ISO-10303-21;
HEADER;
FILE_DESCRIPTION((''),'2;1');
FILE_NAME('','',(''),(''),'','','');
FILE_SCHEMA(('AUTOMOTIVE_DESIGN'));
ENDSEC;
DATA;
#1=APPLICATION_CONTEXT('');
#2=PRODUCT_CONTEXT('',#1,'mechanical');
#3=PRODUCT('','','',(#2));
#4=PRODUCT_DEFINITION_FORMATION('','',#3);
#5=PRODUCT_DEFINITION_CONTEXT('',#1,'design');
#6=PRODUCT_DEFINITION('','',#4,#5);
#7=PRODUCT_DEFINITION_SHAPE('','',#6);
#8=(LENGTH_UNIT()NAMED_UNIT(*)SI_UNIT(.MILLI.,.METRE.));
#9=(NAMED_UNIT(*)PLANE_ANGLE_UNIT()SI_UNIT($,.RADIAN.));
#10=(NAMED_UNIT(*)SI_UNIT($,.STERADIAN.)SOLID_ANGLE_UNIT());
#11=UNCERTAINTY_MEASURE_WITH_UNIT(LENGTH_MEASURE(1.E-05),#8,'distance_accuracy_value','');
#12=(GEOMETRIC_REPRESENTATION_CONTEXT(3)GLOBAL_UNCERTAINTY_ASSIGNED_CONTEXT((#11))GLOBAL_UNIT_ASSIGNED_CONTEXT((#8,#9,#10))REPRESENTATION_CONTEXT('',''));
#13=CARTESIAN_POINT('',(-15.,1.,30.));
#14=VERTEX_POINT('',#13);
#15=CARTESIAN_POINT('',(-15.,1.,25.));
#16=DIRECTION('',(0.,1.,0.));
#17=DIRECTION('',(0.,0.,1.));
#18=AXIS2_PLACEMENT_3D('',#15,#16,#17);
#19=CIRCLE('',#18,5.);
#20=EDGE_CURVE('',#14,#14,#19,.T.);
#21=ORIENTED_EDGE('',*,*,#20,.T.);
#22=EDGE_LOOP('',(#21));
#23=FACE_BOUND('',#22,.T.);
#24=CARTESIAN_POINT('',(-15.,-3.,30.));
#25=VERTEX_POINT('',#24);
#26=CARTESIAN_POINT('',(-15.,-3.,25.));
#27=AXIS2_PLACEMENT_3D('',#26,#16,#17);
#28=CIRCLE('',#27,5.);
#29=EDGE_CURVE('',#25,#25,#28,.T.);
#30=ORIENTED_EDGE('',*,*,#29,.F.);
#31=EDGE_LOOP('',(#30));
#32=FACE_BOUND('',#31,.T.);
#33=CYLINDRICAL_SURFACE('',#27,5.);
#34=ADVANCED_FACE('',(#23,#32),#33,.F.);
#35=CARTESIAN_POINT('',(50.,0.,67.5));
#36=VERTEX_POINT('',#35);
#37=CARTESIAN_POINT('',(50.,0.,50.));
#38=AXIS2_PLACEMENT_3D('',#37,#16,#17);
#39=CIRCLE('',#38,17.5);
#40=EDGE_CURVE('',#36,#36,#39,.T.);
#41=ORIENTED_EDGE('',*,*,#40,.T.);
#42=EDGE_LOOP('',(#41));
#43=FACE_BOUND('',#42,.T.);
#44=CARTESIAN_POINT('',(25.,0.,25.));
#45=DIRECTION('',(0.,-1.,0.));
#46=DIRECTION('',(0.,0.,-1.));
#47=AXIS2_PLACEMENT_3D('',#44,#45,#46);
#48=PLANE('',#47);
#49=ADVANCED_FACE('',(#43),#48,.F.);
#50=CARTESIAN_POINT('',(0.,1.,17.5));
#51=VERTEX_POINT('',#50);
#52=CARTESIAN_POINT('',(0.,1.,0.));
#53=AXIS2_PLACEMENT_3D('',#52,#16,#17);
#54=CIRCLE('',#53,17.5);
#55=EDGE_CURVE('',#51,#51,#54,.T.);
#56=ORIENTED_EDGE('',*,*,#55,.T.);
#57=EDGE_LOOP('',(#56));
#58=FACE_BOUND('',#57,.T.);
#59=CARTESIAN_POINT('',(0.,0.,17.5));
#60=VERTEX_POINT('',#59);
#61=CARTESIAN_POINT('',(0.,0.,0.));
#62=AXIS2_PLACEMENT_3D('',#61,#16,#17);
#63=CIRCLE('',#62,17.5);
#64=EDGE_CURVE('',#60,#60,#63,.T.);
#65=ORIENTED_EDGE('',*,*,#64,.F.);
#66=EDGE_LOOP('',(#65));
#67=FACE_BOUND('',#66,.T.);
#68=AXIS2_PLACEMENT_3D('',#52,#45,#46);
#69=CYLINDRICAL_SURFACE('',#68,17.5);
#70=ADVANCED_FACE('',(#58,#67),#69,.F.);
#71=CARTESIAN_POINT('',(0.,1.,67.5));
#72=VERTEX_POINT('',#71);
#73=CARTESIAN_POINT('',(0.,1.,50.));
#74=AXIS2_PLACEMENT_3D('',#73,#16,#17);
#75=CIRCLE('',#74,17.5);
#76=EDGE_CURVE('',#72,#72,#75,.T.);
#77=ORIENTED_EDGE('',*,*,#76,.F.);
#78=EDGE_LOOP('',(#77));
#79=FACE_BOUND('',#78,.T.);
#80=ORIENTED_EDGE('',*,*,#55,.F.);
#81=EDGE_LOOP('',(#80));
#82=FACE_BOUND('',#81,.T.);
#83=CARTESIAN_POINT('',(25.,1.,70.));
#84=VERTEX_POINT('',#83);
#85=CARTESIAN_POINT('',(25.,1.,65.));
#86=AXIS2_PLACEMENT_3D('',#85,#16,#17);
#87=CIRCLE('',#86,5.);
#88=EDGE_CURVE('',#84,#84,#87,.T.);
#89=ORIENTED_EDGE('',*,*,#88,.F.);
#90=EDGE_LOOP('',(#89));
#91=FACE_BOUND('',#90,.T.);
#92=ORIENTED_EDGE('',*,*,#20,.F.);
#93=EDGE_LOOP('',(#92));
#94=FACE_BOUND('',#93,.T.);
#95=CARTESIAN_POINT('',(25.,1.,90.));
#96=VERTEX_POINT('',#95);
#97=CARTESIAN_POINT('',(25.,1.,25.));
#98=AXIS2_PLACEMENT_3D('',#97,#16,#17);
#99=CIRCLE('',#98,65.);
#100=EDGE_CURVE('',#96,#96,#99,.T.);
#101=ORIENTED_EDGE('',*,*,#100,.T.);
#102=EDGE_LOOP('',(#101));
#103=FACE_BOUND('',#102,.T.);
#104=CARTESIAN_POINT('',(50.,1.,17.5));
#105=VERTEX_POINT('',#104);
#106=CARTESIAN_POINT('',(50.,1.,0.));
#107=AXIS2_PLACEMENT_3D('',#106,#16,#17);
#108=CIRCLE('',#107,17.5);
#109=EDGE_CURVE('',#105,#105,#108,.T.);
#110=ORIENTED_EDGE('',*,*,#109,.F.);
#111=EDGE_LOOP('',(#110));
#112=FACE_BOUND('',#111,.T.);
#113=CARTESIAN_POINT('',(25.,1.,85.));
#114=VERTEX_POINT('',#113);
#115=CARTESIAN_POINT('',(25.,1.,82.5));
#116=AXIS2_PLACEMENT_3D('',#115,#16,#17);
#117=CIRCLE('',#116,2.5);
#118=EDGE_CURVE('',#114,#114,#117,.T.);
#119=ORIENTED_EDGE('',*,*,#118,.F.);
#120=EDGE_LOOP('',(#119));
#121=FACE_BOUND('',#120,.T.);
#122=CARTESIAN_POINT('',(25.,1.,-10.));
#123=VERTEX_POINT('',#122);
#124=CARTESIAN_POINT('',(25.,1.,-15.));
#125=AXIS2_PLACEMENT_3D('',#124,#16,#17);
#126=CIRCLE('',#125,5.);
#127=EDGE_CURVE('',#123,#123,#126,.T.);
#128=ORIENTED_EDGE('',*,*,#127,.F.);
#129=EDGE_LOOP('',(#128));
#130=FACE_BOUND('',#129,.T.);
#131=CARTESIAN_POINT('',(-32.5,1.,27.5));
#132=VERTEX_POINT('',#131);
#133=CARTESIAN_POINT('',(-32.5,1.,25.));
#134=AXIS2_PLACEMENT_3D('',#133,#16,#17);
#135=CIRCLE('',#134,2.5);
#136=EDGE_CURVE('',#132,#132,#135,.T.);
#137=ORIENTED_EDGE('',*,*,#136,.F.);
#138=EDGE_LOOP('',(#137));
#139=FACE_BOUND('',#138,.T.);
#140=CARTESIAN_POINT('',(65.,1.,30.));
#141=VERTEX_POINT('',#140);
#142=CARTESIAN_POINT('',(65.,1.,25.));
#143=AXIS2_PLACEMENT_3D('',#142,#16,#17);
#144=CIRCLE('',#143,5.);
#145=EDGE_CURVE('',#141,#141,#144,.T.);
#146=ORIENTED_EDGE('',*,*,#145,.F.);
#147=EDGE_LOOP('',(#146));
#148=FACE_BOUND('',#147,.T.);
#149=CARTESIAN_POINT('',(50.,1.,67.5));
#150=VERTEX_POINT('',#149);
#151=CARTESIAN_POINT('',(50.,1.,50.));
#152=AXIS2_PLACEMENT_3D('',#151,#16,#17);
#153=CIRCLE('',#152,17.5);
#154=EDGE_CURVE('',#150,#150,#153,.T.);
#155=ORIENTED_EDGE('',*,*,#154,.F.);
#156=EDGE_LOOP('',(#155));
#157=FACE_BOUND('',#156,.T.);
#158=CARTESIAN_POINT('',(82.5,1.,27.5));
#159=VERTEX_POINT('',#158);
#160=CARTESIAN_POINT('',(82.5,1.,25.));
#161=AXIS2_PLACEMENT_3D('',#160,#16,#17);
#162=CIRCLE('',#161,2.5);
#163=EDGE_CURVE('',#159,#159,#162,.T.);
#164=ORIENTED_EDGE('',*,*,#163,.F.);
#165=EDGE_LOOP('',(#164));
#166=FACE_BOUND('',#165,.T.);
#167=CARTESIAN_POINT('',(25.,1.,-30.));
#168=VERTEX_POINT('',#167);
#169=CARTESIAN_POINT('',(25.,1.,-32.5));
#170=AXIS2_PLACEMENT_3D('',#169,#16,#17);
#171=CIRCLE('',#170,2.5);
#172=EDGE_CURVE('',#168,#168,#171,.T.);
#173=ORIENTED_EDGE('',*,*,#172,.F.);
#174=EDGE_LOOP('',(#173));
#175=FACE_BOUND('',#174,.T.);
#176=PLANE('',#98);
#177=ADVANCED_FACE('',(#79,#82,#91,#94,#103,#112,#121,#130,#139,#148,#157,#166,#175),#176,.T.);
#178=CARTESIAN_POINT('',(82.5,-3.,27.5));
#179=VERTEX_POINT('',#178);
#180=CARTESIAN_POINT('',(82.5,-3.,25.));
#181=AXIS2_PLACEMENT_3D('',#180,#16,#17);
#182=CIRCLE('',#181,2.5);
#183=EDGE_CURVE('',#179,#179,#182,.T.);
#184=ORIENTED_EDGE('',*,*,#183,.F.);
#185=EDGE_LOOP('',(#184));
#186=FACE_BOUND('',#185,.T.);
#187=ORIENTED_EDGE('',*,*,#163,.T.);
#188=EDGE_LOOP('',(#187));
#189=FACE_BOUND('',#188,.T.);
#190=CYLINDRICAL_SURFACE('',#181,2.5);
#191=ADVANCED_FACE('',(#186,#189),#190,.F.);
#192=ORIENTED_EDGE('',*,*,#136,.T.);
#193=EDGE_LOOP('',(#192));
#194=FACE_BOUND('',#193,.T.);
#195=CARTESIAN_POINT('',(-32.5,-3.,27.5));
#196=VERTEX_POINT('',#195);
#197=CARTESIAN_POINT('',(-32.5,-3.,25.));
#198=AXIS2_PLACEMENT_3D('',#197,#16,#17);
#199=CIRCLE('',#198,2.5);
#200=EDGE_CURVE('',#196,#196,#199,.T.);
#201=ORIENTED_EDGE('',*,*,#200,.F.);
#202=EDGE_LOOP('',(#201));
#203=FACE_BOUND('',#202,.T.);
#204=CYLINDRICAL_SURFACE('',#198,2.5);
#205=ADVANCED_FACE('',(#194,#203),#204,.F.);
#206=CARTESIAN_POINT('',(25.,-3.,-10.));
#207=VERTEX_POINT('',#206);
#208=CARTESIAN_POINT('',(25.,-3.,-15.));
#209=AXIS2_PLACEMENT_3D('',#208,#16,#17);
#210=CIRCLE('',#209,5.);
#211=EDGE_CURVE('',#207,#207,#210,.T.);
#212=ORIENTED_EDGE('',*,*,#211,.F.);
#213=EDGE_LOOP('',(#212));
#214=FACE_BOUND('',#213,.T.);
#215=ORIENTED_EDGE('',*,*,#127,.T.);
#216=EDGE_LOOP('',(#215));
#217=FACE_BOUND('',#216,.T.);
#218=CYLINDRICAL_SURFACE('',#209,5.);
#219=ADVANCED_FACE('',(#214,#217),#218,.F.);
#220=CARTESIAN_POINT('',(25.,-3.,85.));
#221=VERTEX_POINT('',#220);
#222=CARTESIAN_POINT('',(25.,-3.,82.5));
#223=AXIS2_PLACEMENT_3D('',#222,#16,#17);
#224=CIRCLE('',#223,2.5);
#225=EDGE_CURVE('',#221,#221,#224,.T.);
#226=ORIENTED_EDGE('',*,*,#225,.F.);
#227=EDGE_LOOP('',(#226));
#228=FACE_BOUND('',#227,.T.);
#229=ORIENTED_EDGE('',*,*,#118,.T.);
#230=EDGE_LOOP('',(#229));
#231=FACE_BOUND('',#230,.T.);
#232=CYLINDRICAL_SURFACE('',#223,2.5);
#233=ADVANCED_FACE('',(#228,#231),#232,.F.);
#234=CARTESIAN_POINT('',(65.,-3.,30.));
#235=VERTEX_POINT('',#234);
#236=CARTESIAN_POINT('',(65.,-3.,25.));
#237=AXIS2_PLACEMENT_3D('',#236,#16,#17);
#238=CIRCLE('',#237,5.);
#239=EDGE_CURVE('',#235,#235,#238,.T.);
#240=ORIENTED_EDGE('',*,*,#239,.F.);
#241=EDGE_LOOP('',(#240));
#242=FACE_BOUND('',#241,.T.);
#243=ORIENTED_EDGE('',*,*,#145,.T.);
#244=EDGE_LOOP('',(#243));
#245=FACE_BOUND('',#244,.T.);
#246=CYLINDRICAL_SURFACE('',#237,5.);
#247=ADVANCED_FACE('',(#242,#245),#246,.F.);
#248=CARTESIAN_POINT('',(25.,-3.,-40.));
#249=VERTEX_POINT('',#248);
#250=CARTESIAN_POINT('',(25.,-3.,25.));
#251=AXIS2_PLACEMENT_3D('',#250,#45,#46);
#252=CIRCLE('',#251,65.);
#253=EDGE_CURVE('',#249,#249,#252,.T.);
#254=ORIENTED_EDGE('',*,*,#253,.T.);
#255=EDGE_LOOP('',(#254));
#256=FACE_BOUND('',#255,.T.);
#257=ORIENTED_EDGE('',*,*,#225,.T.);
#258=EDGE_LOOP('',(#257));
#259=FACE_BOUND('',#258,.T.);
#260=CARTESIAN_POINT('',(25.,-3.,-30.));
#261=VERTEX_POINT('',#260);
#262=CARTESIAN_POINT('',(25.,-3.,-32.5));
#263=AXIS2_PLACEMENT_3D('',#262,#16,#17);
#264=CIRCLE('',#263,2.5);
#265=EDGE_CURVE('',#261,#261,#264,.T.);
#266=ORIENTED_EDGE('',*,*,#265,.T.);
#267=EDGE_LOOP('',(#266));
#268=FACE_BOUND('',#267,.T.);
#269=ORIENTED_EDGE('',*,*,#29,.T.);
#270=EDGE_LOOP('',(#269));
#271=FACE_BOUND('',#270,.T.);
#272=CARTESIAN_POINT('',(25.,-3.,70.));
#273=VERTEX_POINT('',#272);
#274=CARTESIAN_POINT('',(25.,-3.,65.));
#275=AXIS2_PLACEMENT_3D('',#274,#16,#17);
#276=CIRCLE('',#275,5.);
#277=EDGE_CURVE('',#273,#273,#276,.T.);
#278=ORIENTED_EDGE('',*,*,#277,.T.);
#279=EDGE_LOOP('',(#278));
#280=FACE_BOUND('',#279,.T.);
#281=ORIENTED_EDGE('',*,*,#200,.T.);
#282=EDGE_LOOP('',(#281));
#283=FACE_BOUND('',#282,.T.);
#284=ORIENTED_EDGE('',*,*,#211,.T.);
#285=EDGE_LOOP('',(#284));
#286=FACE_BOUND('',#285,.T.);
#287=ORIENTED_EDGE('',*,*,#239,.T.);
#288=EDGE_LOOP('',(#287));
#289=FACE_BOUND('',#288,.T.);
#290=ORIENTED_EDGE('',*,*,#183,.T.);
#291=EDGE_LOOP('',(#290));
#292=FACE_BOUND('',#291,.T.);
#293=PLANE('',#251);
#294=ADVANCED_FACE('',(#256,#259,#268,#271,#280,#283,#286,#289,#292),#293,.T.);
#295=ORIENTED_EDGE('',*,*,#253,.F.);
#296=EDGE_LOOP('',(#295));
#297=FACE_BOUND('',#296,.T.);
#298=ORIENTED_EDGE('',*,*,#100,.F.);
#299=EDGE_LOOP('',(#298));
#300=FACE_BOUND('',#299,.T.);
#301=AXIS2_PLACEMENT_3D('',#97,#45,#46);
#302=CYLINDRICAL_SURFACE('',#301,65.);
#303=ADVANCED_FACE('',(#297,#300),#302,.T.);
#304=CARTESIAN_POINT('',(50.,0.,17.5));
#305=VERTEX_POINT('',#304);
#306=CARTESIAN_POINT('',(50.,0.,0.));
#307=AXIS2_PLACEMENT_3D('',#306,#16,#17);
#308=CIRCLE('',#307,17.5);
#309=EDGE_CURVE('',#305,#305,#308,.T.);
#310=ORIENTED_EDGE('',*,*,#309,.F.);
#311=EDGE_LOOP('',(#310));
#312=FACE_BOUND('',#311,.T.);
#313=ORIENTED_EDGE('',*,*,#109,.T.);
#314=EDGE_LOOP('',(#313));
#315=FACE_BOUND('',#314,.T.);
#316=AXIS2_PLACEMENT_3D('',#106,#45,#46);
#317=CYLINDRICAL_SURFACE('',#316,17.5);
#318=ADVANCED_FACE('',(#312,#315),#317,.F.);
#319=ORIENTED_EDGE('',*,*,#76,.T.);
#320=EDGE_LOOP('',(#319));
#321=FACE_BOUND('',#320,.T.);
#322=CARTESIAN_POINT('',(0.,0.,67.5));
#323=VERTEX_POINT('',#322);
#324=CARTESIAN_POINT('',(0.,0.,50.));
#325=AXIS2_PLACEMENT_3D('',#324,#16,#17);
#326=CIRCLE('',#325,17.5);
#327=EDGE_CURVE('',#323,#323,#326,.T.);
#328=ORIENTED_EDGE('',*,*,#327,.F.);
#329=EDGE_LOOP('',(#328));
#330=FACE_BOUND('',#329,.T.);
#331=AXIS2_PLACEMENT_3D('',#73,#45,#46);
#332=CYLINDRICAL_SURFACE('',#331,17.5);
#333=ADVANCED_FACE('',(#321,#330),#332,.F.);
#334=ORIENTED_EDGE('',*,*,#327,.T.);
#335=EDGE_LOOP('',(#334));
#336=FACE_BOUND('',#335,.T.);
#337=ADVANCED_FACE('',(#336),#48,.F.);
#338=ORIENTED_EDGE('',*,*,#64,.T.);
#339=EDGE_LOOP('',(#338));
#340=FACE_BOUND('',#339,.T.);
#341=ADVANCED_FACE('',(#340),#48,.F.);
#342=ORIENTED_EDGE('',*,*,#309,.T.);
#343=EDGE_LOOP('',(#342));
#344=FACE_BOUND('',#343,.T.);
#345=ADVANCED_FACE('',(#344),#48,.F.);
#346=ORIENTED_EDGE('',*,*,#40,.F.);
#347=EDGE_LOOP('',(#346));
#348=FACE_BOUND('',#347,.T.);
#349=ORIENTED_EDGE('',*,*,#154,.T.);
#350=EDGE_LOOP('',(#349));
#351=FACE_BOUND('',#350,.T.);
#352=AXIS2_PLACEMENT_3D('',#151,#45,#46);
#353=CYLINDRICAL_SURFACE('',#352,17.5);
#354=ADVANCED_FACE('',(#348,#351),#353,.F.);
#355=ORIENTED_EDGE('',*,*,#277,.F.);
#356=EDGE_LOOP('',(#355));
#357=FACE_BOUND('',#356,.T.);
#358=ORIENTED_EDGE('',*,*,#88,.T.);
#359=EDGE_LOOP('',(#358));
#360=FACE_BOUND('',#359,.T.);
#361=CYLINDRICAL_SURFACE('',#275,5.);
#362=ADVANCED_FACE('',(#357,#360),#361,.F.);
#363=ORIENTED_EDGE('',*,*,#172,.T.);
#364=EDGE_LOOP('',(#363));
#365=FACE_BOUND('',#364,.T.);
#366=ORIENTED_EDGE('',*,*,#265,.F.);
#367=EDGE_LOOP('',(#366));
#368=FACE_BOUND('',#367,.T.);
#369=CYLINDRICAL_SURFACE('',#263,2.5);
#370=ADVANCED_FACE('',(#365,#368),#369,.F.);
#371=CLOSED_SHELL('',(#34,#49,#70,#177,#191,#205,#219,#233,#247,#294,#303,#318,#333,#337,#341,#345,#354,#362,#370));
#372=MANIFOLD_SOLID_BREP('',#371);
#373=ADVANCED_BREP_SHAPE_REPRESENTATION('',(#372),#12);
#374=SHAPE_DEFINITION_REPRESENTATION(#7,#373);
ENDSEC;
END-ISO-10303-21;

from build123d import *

# Parameters (mm, degrees)
SKETCH1_R           = 65
SKETCH1_R_2         = 17.5
BOSS_EXTRUDE2_DEPTH = 1
BOSS_EXTRUDE3_START = 3
SKETCH2_R           = 65
BOSS_EXTRUDE3_DEPTH = 3
SKETCH3_R           = 5
CUT_EXTRUDE1_DEPTH  = 128.342059038
SKETCH4_R           = 2.5
CUT_EXTRUDE2_DEPTH  = 128.342059038


with BuildPart() as part:
    # Sketch1 → Boss-Extrude2 (new body)
    with BuildSketch(Plane(origin=(0, 0, 0), x_dir=(1, 0, 0), z_dir=(0, 1, 0))):
        with Locations(Location((25, -25, 0), (0, 0, 270))):
            Circle(SKETCH1_R)
        with Locations(Location((0, 0, 0), (0, 0, 270))):
            Circle(SKETCH1_R_2, mode=Mode.SUBTRACT)
        with Locations(Location((50, 0, 0), (0, 0, 270))):
            Circle(SKETCH1_R_2, mode=Mode.SUBTRACT)
        with Locations(Location((50, -50, 0), (0, 0, 270))):
            Circle(SKETCH1_R_2, mode=Mode.SUBTRACT)
        with Locations(Location((0, -50, 0), (0, 0, 270))):
            Circle(SKETCH1_R_2, mode=Mode.SUBTRACT)
    extrude(amount=BOSS_EXTRUDE2_DEPTH)

    # Sketch2 → Boss-Extrude3 (add)
    with BuildSketch(Plane.XZ.offset(BOSS_EXTRUDE3_START)):
        with Locations(Location((25, 25, 0), (0, 0, 270))):
            Circle(SKETCH2_R)
    extrude(amount=-BOSS_EXTRUDE3_DEPTH)

    # Sketch3 → Cut-Extrude1 (cut, through all)
    with BuildSketch(Plane(origin=(0, 1, 0), x_dir=(1, 0, 0), z_dir=(0, 1, 0))):
        with Locations(Location((25, 15, 0), (0, 0, 270))):
            Circle(SKETCH3_R)
        with Locations(Location((65, -25, 0), (0, 0, 270))):
            Circle(SKETCH3_R)
        with Locations(Location((25, -65, 0), (0, 0, 270))):
            Circle(SKETCH3_R)
        with Locations(Location((-15, -25, 0), (0, 0, 270))):
            Circle(SKETCH3_R)
    extrude(amount=-CUT_EXTRUDE1_DEPTH, mode=Mode.SUBTRACT)

    # Sketch4 → Cut-Extrude2 (cut, through all)
    with BuildSketch(Plane(origin=(0, 1, 0), x_dir=(1, 0, 0), z_dir=(0, 1, 0))):
        with Locations(Location((25, 32.5, 0), (0, 0, 270))):
            Circle(SKETCH4_R)
        with Locations(Location((82.5, -25, 0), (0, 0, 270))):
            Circle(SKETCH4_R)
        with Locations(Location((25, -82.5, 0), (0, 0, 270))):
            Circle(SKETCH4_R)
        with Locations(Location((-32.5, -25, 0), (0, 0, 270))):
            Circle(SKETCH4_R)
    extrude(amount=-CUT_EXTRUDE2_DEPTH, mode=Mode.SUBTRACT)


solid = part.part
